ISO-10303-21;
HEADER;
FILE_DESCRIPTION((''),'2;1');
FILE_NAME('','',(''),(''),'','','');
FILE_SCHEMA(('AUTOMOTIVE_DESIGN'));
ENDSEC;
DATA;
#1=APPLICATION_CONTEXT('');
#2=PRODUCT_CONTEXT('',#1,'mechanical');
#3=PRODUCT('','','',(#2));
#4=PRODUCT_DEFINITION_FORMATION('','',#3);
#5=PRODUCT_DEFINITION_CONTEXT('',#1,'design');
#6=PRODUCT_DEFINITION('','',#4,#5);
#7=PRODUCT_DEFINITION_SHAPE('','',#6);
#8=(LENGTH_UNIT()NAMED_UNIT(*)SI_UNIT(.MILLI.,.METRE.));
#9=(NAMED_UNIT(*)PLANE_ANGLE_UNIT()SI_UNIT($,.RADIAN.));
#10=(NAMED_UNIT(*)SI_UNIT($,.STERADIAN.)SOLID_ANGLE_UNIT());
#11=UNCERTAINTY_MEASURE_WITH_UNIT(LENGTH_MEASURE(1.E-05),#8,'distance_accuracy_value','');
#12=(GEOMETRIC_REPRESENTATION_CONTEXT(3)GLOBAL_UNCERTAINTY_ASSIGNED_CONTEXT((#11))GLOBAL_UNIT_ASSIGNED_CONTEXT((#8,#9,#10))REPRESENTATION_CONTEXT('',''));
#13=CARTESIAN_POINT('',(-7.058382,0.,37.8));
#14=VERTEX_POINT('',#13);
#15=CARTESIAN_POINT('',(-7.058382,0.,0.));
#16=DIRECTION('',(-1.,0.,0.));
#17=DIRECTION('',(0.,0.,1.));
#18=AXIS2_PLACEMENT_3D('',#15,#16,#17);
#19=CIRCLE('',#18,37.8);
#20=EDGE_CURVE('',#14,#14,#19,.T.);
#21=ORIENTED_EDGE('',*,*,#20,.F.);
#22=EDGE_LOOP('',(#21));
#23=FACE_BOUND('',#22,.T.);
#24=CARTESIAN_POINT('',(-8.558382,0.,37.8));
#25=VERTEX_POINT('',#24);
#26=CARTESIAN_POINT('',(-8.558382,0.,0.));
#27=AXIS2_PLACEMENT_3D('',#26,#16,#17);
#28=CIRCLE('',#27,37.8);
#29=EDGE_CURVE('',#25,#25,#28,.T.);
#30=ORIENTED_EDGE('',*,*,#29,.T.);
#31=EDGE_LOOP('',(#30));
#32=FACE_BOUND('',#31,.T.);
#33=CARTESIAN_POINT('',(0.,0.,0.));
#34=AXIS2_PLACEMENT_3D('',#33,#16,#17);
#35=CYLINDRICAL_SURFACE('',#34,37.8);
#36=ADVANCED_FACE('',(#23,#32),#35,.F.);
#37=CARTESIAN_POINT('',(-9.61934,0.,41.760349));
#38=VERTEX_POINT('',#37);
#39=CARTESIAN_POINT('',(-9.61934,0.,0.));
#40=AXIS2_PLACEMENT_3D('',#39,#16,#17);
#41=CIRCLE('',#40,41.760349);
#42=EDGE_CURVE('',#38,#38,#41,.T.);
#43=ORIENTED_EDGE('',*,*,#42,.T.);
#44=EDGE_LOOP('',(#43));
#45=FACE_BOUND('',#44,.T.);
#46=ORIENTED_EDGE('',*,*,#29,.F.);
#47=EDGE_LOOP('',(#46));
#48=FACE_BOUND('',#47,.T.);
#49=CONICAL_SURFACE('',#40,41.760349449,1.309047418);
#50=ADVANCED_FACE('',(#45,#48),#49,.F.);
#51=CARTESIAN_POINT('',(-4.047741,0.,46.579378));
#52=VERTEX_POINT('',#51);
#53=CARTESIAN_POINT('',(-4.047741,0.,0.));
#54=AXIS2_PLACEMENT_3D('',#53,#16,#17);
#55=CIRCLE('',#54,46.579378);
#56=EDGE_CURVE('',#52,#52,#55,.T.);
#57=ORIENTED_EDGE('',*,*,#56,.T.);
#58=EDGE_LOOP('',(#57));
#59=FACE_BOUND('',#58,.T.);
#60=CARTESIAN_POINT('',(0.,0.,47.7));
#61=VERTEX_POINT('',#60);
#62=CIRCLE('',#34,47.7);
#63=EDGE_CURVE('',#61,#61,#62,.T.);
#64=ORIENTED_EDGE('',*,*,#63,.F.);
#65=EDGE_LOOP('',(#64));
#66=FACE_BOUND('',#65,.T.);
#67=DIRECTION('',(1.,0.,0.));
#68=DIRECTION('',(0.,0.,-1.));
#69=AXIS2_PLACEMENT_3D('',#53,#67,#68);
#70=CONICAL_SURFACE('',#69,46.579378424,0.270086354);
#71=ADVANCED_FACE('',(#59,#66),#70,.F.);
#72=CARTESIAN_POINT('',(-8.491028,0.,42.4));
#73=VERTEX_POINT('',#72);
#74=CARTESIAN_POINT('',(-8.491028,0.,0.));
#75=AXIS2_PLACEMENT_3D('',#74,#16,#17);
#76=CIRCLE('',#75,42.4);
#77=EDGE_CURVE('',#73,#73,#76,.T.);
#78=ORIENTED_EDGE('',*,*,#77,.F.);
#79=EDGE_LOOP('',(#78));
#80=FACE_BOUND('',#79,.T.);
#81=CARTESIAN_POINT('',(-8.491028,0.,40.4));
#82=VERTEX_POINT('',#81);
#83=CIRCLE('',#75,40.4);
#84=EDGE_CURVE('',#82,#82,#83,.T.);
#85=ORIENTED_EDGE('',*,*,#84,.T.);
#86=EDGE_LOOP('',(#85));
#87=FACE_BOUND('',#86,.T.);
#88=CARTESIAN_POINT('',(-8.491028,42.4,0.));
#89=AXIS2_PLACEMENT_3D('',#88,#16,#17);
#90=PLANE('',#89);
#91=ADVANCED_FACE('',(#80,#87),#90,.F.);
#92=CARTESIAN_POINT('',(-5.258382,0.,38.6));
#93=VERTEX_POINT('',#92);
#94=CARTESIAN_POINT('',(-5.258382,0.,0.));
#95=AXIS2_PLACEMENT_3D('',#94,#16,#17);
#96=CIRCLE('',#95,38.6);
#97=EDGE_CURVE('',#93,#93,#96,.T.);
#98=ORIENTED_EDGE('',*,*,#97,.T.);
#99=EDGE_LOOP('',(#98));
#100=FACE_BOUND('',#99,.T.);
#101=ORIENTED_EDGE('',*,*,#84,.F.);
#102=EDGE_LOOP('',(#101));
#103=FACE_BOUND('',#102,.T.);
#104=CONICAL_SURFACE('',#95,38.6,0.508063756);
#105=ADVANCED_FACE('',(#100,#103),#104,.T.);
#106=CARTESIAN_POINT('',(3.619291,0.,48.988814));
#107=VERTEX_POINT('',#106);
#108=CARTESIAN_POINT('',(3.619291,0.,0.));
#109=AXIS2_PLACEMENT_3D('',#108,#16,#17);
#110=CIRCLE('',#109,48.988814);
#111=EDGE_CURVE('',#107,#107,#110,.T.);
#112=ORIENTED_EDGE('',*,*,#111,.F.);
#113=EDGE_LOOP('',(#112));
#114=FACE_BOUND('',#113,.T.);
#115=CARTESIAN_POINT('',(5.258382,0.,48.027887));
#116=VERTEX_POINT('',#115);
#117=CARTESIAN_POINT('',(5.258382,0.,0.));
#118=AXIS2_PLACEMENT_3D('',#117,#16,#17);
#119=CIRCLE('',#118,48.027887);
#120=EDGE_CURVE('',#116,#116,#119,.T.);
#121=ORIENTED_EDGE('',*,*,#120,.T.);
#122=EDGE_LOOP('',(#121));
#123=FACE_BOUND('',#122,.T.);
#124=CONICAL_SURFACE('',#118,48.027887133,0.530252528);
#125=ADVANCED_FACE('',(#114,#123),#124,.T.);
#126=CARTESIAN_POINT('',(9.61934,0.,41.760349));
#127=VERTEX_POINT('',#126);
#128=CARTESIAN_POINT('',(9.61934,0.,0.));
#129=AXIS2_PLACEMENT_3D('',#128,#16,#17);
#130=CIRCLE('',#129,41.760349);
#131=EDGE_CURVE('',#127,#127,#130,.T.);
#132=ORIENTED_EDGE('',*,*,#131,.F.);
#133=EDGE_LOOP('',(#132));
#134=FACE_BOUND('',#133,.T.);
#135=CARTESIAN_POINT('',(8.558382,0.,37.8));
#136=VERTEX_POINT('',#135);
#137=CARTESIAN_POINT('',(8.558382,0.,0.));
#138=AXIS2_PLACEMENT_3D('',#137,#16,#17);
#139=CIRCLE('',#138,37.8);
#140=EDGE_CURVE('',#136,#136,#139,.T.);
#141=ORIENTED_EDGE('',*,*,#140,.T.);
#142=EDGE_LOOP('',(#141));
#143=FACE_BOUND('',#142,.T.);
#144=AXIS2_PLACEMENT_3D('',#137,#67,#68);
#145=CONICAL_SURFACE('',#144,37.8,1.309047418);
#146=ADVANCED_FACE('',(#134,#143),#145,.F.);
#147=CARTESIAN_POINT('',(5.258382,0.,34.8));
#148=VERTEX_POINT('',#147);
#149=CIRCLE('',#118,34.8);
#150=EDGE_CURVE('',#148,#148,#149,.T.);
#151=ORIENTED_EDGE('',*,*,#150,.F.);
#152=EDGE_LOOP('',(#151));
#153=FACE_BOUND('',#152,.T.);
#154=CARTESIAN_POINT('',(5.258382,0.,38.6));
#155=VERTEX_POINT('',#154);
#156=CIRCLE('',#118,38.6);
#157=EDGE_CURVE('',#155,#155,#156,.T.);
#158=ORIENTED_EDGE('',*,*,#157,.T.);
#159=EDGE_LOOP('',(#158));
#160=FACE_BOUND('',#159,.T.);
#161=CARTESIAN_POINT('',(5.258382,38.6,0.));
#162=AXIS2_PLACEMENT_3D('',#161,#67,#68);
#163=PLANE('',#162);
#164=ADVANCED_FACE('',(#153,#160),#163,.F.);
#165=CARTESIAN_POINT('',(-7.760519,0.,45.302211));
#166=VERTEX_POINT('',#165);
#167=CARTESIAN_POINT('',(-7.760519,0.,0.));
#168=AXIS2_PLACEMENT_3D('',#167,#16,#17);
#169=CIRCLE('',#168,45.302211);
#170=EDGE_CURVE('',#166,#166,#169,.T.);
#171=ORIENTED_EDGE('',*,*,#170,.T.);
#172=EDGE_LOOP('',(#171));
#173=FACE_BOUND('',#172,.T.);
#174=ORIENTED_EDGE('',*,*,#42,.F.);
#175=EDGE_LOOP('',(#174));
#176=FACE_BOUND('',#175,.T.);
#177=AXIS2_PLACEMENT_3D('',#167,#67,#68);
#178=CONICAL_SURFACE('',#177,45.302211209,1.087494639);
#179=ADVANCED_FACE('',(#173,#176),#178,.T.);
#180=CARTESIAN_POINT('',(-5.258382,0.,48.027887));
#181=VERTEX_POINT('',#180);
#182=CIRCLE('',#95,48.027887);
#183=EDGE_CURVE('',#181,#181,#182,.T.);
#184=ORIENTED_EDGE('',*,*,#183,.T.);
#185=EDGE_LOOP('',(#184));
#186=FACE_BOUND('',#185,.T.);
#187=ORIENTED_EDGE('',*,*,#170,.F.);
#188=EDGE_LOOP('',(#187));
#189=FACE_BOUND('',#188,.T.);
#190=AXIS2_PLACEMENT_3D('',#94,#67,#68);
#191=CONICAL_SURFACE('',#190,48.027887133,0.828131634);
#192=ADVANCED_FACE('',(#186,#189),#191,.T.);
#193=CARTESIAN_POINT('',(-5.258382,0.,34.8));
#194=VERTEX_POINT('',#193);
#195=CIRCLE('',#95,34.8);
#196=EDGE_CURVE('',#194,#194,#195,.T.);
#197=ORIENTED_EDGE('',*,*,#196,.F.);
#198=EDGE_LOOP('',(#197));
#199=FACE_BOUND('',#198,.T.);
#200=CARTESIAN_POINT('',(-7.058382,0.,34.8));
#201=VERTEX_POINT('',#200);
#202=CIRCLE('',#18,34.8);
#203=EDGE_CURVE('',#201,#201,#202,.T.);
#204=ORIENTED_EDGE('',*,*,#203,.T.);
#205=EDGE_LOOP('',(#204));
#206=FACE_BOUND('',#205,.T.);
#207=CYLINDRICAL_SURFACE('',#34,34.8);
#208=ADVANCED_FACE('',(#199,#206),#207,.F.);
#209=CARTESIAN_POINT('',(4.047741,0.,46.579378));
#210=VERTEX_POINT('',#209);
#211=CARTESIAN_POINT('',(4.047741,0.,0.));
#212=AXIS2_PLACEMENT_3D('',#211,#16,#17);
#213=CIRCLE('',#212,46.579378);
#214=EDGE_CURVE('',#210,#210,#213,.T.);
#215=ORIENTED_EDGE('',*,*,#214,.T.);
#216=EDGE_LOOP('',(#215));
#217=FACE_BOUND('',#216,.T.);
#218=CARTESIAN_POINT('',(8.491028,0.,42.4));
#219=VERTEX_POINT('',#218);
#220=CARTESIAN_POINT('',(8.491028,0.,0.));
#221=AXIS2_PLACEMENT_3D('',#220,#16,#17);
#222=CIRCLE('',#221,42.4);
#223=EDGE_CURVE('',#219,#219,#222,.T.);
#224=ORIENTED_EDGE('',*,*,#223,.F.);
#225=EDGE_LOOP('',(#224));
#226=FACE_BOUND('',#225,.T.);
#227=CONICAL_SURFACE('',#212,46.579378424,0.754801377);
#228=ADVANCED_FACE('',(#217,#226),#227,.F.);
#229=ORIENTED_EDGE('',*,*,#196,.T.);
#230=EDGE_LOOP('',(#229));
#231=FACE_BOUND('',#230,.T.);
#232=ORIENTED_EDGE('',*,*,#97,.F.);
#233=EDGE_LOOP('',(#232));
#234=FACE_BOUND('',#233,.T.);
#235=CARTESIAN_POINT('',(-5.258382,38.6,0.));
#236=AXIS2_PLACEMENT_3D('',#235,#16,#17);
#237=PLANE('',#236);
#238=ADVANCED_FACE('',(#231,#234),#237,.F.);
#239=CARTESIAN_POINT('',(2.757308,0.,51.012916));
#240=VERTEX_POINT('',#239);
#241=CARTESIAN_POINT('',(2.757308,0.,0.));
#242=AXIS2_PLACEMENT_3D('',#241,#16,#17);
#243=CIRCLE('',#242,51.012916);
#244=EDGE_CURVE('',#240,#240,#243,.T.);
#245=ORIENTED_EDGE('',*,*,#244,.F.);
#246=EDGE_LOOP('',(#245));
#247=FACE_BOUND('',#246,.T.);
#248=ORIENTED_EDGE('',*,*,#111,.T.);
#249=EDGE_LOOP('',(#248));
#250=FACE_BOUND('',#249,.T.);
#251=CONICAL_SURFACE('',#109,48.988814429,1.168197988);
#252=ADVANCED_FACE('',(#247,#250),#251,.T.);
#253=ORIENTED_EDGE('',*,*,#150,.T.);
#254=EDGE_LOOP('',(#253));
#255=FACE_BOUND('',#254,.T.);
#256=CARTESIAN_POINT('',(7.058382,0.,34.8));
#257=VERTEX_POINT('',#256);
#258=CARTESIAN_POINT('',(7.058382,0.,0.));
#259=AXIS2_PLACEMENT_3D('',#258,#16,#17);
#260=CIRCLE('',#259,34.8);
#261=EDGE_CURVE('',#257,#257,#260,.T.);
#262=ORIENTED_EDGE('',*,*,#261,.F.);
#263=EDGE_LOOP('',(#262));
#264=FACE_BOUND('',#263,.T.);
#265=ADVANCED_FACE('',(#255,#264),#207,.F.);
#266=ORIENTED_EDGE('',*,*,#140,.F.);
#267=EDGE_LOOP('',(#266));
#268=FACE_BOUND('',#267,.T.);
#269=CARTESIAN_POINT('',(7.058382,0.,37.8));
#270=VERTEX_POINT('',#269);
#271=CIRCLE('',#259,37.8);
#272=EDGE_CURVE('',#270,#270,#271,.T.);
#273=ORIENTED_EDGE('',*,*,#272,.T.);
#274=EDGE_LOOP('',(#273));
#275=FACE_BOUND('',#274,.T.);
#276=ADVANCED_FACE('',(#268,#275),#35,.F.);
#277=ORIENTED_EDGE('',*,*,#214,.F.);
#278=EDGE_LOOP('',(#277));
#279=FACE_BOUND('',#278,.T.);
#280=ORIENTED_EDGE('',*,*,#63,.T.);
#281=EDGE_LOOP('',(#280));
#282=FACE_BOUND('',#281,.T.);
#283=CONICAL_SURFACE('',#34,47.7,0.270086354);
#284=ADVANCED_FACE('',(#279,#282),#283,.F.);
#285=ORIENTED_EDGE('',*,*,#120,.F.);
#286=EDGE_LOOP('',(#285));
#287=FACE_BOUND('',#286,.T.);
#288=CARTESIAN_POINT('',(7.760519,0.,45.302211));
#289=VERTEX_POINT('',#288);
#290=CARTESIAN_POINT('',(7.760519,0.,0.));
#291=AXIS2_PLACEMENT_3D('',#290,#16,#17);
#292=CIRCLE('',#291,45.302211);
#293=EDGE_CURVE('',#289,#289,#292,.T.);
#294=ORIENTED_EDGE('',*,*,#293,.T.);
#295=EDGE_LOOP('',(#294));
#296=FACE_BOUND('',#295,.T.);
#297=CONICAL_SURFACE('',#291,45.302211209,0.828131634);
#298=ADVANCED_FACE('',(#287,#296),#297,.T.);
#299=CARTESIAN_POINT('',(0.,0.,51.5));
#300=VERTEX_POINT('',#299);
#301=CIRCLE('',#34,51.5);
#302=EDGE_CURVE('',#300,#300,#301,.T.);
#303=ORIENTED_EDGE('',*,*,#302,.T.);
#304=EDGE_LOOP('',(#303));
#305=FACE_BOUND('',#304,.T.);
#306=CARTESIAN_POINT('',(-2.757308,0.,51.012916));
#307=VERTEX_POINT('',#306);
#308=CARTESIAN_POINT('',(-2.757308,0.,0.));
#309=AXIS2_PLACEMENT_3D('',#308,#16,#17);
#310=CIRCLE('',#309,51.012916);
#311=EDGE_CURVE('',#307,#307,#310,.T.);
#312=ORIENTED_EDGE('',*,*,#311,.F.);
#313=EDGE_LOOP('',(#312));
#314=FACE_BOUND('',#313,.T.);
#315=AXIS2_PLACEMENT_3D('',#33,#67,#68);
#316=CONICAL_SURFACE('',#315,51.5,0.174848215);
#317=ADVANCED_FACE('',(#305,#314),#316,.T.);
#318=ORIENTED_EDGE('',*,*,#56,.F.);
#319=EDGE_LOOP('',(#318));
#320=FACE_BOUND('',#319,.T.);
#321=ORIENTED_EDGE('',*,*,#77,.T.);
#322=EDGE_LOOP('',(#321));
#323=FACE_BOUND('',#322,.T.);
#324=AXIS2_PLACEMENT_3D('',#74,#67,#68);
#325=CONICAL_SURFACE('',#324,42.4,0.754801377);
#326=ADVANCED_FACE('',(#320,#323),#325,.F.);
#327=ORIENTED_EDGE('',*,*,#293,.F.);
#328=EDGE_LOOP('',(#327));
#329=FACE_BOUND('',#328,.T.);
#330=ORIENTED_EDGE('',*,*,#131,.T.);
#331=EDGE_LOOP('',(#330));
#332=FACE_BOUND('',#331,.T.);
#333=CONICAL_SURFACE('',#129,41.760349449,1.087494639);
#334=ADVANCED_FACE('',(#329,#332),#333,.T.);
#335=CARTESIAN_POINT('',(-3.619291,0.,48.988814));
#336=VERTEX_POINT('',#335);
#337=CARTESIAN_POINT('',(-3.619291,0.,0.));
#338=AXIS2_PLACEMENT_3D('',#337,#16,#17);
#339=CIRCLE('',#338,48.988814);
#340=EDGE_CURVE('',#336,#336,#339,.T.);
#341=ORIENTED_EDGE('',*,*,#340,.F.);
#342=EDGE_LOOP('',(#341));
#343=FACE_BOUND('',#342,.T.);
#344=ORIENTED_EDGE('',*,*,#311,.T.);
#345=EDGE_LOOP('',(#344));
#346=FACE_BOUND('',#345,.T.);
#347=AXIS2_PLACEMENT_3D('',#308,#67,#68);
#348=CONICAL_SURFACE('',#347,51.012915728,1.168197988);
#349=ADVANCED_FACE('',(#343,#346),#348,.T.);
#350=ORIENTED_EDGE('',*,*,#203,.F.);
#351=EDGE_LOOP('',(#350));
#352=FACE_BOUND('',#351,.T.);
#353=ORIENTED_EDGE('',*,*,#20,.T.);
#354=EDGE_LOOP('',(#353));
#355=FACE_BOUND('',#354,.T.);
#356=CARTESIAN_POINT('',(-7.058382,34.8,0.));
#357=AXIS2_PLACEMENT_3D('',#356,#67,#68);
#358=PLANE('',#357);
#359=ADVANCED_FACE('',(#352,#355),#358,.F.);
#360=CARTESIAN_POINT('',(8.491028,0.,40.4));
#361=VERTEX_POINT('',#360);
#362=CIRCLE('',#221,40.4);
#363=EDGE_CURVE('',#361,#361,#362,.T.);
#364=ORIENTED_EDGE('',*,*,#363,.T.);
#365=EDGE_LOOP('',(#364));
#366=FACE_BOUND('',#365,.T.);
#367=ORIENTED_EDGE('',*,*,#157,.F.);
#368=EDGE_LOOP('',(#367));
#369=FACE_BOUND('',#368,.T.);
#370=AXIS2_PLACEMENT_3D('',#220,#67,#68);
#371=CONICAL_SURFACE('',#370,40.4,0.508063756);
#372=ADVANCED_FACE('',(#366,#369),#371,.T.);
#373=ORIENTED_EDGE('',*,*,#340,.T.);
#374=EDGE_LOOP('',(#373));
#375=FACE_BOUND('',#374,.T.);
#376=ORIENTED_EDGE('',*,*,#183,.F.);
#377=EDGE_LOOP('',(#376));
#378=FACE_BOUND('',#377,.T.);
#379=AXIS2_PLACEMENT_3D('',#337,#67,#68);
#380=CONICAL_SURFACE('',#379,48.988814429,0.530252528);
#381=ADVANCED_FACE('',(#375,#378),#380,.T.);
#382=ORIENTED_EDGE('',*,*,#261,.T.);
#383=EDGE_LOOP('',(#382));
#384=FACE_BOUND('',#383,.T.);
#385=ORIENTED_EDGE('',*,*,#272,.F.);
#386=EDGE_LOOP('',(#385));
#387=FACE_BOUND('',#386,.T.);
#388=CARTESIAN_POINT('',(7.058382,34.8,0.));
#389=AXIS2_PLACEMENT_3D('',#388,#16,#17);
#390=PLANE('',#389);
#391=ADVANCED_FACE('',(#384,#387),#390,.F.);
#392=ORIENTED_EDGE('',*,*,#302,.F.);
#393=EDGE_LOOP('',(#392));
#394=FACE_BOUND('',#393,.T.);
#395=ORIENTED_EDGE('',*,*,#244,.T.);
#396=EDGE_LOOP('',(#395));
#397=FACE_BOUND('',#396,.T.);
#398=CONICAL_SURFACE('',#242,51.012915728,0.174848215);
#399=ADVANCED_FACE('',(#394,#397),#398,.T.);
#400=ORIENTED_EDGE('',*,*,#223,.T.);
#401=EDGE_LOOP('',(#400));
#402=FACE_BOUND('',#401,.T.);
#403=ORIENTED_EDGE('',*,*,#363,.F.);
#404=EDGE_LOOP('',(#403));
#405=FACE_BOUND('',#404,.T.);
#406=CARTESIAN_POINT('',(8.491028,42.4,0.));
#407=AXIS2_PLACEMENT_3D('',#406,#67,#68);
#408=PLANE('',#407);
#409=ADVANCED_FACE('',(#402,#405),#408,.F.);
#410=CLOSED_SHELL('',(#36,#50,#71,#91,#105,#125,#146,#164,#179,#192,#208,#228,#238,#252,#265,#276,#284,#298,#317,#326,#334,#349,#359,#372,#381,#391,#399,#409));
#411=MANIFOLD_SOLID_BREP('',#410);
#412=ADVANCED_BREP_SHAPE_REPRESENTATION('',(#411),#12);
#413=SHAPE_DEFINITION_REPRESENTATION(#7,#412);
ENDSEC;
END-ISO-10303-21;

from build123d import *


with BuildPart() as part:
    # Front → Revolve1 (revolve)
    with BuildSketch(Plane.XY, mode=Mode.PRIVATE) as revolve1_sk:
        Polygon((0, 47.7), (4.04774101, 46.579378424), (8.49102763, 42.4), (8.49102763, 40.4), (5.258381655, 38.6), (5.258381655, 34.8), (7.058381655, 34.8), (7.058381655, 37.8), (8.558381655, 37.8), (9.619339829, 41.760349449), (7.760518893, 45.302211209), (5.258381655, 48.027887133), (3.61929083, 48.988814429), (2.757308273, 51.012915728), (0, 51.5), (-2.757308273, 51.012915728), (-3.61929083, 48.988814429), (-5.258381655, 48.027887133), (-7.760518893, 45.302211209), (-9.619339829, 41.760349449), (-8.558381655, 37.8), (-7.058381655, 37.8), (-7.058381655, 34.8), (-5.258381655, 34.8), (-5.258381655, 38.6), (-8.49102763, 40.4), (-8.49102763, 42.4), (-4.04774101, 46.579378424), align=None)
    revolve(revolve1_sk.sketch.rotate(Axis((0, 0, 0), (1, 0, 0)), 90), axis=Axis((0, 0, 0), (1, 0, 0)))


solid = part.part
